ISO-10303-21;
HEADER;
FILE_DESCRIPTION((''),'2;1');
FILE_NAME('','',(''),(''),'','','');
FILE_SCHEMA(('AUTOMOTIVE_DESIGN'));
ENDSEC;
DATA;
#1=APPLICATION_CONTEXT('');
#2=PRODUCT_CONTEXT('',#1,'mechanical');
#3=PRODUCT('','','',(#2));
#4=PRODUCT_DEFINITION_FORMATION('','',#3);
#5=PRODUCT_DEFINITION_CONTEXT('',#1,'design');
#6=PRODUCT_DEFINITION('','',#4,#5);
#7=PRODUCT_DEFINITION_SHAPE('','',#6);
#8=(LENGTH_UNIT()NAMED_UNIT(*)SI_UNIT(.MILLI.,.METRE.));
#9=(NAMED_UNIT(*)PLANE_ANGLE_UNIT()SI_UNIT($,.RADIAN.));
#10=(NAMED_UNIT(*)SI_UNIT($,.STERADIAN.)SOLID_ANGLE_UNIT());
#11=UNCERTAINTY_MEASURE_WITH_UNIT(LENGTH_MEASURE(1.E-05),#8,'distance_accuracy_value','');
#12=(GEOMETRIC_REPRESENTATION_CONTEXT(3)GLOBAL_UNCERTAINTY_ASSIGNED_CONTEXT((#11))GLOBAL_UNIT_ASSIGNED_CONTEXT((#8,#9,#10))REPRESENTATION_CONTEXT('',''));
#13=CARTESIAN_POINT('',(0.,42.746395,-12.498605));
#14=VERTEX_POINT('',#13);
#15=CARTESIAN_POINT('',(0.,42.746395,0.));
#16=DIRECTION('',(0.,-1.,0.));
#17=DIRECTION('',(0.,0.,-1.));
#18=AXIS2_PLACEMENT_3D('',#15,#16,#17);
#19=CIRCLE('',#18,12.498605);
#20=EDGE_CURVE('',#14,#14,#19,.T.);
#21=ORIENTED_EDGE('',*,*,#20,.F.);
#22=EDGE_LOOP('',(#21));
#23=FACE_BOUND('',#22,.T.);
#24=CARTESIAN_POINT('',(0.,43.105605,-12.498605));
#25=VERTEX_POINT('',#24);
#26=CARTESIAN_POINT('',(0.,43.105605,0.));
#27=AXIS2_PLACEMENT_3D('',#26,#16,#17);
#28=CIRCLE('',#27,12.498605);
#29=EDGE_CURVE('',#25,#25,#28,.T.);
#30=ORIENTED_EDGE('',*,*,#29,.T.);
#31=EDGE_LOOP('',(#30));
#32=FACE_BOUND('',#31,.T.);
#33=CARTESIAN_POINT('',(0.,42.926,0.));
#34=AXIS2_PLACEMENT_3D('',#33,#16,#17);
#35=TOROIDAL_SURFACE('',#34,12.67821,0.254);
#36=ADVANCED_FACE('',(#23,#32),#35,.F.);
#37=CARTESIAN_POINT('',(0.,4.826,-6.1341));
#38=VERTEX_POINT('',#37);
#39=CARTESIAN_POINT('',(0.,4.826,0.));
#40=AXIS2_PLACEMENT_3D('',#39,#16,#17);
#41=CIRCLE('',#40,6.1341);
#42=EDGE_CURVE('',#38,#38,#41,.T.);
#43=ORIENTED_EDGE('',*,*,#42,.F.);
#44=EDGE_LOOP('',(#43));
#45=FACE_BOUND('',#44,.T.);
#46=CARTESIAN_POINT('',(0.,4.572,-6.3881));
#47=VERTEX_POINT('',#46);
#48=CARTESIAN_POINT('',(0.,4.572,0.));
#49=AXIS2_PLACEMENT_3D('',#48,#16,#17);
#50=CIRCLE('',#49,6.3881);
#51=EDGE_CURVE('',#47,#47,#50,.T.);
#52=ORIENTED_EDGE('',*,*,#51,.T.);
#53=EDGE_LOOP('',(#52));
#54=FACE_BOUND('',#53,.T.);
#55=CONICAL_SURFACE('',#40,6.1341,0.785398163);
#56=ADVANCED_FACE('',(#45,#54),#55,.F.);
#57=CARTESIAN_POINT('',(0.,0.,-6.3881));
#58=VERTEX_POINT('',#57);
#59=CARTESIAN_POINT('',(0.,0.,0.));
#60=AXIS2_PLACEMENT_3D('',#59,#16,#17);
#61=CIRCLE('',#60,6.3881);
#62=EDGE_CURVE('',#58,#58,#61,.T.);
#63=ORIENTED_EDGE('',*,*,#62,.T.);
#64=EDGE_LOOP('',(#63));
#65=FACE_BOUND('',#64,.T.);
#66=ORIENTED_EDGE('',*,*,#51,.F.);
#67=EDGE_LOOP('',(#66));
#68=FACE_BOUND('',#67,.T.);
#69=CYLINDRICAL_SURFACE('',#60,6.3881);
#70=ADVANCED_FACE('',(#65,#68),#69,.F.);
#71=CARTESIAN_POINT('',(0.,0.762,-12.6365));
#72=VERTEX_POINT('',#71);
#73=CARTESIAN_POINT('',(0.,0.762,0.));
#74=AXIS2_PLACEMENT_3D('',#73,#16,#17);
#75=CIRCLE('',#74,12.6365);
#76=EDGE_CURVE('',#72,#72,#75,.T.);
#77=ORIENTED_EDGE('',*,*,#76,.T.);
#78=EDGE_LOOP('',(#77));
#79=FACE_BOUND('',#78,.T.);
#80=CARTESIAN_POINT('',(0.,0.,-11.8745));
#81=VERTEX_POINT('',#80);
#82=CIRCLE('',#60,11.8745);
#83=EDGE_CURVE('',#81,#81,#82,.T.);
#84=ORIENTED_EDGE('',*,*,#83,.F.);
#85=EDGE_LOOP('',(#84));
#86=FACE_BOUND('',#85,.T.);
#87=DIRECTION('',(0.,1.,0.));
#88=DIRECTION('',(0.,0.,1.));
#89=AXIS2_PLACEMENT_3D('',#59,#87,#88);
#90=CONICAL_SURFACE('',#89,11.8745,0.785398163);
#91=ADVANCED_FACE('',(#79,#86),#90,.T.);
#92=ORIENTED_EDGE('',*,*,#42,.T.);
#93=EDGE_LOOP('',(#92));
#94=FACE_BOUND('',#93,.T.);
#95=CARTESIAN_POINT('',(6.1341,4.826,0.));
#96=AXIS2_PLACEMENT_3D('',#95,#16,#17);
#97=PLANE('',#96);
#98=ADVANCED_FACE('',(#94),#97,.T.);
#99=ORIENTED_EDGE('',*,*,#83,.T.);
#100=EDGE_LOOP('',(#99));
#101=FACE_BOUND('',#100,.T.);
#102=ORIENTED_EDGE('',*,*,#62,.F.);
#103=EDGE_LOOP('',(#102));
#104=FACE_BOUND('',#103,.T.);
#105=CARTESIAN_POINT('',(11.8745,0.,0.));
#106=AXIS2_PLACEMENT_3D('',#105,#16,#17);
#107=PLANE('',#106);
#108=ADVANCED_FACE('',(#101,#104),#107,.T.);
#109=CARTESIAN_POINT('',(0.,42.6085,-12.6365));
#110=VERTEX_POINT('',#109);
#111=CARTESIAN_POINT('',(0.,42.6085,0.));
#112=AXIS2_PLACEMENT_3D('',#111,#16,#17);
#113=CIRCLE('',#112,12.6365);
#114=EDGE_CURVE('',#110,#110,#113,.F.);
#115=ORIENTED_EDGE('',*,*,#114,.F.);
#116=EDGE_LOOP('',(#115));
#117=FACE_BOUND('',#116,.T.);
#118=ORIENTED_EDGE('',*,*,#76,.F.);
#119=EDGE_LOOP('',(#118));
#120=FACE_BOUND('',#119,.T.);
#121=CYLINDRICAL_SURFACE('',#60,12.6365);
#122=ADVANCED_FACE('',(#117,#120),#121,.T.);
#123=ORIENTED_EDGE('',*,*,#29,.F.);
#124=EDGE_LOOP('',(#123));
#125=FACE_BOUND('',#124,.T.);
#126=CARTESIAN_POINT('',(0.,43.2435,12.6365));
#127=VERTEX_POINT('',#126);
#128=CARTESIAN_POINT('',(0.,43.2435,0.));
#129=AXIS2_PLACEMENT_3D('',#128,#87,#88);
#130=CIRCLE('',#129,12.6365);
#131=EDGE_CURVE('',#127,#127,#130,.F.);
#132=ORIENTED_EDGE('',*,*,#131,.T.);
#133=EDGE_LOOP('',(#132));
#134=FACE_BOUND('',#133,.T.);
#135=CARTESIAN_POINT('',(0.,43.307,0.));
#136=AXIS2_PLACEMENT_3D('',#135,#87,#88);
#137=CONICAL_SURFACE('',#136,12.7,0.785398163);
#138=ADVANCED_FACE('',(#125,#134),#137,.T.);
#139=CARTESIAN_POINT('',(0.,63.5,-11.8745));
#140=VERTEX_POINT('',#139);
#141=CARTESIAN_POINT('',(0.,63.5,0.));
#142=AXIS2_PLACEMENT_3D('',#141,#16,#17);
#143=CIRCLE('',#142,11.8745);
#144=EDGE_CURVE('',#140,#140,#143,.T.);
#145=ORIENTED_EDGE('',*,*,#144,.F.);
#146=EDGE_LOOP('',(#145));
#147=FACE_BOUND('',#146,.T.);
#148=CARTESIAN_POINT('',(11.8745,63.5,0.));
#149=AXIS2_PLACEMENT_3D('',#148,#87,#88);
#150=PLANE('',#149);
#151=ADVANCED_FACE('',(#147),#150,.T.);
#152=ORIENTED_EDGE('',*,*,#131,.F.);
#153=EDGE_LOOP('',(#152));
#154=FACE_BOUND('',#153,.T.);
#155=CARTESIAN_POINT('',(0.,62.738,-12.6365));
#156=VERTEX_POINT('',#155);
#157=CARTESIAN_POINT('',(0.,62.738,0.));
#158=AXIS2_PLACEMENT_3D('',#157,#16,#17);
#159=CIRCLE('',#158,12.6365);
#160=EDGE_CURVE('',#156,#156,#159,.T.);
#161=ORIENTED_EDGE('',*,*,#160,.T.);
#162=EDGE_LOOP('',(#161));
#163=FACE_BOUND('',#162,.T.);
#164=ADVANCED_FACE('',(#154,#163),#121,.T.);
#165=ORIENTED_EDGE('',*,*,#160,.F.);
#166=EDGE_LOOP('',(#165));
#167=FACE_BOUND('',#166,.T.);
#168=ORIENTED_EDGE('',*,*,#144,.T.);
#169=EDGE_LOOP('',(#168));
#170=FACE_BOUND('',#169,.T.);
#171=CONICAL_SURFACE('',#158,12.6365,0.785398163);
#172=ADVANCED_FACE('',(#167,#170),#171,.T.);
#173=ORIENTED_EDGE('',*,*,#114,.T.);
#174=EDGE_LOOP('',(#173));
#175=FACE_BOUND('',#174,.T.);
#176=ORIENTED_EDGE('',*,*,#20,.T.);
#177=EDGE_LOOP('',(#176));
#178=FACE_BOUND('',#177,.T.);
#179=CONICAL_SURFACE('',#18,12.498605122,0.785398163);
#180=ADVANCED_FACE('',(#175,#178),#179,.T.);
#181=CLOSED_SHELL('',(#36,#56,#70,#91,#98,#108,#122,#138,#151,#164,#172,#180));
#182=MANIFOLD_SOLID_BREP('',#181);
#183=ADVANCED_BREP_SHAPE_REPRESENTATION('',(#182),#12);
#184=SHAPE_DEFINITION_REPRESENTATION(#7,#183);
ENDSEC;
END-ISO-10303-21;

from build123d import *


with BuildPart() as part:
    # Sketch1 → Revolve1 (revolve)
    with BuildSketch(Plane.XY, mode=Mode.PRIVATE) as revolve1_sk:
        Polygon((12.6365, 0.762), (12.6365, 62.738), (11.8745, 63.5), (0, 63.5), (0, 4.826), (6.1341, 4.826), (6.3881, 4.572), (6.3881, 0), (11.8745, 0), align=None)
    revolve(revolve1_sk.sketch.rotate(Axis((0, 0, 0), (0, 1, 0)), 90), axis=Axis((0, 0, 0), (0, 1, 0)))  # turned: the seam where the file's is

    # Sketch2 → Cut-Revolve1 (revolve, cut)
    with BuildSketch(Plane.XY, mode=Mode.PRIVATE) as cut_revolve1_sk:
        with BuildLine():
            Line((12.7, 43.307), (12.7, 42.545))
            Line((12.7, 42.545), (12.498605122, 42.746394878))
            ThreePointArc((12.498605122, 42.746394878), (12.424210245, 42.926), (12.498605122, 43.105605122))
            Line((12.498605122, 43.105605122), (12.7, 43.307))
        make_face()
    revolve(cut_revolve1_sk.sketch.rotate(Axis((0, 0, 0), (0, 1, 0)), 90), axis=Axis((0, 0, 0), (0, 1, 0)), mode=Mode.SUBTRACT)  # turned: the seam where the file's is


solid = part.part
